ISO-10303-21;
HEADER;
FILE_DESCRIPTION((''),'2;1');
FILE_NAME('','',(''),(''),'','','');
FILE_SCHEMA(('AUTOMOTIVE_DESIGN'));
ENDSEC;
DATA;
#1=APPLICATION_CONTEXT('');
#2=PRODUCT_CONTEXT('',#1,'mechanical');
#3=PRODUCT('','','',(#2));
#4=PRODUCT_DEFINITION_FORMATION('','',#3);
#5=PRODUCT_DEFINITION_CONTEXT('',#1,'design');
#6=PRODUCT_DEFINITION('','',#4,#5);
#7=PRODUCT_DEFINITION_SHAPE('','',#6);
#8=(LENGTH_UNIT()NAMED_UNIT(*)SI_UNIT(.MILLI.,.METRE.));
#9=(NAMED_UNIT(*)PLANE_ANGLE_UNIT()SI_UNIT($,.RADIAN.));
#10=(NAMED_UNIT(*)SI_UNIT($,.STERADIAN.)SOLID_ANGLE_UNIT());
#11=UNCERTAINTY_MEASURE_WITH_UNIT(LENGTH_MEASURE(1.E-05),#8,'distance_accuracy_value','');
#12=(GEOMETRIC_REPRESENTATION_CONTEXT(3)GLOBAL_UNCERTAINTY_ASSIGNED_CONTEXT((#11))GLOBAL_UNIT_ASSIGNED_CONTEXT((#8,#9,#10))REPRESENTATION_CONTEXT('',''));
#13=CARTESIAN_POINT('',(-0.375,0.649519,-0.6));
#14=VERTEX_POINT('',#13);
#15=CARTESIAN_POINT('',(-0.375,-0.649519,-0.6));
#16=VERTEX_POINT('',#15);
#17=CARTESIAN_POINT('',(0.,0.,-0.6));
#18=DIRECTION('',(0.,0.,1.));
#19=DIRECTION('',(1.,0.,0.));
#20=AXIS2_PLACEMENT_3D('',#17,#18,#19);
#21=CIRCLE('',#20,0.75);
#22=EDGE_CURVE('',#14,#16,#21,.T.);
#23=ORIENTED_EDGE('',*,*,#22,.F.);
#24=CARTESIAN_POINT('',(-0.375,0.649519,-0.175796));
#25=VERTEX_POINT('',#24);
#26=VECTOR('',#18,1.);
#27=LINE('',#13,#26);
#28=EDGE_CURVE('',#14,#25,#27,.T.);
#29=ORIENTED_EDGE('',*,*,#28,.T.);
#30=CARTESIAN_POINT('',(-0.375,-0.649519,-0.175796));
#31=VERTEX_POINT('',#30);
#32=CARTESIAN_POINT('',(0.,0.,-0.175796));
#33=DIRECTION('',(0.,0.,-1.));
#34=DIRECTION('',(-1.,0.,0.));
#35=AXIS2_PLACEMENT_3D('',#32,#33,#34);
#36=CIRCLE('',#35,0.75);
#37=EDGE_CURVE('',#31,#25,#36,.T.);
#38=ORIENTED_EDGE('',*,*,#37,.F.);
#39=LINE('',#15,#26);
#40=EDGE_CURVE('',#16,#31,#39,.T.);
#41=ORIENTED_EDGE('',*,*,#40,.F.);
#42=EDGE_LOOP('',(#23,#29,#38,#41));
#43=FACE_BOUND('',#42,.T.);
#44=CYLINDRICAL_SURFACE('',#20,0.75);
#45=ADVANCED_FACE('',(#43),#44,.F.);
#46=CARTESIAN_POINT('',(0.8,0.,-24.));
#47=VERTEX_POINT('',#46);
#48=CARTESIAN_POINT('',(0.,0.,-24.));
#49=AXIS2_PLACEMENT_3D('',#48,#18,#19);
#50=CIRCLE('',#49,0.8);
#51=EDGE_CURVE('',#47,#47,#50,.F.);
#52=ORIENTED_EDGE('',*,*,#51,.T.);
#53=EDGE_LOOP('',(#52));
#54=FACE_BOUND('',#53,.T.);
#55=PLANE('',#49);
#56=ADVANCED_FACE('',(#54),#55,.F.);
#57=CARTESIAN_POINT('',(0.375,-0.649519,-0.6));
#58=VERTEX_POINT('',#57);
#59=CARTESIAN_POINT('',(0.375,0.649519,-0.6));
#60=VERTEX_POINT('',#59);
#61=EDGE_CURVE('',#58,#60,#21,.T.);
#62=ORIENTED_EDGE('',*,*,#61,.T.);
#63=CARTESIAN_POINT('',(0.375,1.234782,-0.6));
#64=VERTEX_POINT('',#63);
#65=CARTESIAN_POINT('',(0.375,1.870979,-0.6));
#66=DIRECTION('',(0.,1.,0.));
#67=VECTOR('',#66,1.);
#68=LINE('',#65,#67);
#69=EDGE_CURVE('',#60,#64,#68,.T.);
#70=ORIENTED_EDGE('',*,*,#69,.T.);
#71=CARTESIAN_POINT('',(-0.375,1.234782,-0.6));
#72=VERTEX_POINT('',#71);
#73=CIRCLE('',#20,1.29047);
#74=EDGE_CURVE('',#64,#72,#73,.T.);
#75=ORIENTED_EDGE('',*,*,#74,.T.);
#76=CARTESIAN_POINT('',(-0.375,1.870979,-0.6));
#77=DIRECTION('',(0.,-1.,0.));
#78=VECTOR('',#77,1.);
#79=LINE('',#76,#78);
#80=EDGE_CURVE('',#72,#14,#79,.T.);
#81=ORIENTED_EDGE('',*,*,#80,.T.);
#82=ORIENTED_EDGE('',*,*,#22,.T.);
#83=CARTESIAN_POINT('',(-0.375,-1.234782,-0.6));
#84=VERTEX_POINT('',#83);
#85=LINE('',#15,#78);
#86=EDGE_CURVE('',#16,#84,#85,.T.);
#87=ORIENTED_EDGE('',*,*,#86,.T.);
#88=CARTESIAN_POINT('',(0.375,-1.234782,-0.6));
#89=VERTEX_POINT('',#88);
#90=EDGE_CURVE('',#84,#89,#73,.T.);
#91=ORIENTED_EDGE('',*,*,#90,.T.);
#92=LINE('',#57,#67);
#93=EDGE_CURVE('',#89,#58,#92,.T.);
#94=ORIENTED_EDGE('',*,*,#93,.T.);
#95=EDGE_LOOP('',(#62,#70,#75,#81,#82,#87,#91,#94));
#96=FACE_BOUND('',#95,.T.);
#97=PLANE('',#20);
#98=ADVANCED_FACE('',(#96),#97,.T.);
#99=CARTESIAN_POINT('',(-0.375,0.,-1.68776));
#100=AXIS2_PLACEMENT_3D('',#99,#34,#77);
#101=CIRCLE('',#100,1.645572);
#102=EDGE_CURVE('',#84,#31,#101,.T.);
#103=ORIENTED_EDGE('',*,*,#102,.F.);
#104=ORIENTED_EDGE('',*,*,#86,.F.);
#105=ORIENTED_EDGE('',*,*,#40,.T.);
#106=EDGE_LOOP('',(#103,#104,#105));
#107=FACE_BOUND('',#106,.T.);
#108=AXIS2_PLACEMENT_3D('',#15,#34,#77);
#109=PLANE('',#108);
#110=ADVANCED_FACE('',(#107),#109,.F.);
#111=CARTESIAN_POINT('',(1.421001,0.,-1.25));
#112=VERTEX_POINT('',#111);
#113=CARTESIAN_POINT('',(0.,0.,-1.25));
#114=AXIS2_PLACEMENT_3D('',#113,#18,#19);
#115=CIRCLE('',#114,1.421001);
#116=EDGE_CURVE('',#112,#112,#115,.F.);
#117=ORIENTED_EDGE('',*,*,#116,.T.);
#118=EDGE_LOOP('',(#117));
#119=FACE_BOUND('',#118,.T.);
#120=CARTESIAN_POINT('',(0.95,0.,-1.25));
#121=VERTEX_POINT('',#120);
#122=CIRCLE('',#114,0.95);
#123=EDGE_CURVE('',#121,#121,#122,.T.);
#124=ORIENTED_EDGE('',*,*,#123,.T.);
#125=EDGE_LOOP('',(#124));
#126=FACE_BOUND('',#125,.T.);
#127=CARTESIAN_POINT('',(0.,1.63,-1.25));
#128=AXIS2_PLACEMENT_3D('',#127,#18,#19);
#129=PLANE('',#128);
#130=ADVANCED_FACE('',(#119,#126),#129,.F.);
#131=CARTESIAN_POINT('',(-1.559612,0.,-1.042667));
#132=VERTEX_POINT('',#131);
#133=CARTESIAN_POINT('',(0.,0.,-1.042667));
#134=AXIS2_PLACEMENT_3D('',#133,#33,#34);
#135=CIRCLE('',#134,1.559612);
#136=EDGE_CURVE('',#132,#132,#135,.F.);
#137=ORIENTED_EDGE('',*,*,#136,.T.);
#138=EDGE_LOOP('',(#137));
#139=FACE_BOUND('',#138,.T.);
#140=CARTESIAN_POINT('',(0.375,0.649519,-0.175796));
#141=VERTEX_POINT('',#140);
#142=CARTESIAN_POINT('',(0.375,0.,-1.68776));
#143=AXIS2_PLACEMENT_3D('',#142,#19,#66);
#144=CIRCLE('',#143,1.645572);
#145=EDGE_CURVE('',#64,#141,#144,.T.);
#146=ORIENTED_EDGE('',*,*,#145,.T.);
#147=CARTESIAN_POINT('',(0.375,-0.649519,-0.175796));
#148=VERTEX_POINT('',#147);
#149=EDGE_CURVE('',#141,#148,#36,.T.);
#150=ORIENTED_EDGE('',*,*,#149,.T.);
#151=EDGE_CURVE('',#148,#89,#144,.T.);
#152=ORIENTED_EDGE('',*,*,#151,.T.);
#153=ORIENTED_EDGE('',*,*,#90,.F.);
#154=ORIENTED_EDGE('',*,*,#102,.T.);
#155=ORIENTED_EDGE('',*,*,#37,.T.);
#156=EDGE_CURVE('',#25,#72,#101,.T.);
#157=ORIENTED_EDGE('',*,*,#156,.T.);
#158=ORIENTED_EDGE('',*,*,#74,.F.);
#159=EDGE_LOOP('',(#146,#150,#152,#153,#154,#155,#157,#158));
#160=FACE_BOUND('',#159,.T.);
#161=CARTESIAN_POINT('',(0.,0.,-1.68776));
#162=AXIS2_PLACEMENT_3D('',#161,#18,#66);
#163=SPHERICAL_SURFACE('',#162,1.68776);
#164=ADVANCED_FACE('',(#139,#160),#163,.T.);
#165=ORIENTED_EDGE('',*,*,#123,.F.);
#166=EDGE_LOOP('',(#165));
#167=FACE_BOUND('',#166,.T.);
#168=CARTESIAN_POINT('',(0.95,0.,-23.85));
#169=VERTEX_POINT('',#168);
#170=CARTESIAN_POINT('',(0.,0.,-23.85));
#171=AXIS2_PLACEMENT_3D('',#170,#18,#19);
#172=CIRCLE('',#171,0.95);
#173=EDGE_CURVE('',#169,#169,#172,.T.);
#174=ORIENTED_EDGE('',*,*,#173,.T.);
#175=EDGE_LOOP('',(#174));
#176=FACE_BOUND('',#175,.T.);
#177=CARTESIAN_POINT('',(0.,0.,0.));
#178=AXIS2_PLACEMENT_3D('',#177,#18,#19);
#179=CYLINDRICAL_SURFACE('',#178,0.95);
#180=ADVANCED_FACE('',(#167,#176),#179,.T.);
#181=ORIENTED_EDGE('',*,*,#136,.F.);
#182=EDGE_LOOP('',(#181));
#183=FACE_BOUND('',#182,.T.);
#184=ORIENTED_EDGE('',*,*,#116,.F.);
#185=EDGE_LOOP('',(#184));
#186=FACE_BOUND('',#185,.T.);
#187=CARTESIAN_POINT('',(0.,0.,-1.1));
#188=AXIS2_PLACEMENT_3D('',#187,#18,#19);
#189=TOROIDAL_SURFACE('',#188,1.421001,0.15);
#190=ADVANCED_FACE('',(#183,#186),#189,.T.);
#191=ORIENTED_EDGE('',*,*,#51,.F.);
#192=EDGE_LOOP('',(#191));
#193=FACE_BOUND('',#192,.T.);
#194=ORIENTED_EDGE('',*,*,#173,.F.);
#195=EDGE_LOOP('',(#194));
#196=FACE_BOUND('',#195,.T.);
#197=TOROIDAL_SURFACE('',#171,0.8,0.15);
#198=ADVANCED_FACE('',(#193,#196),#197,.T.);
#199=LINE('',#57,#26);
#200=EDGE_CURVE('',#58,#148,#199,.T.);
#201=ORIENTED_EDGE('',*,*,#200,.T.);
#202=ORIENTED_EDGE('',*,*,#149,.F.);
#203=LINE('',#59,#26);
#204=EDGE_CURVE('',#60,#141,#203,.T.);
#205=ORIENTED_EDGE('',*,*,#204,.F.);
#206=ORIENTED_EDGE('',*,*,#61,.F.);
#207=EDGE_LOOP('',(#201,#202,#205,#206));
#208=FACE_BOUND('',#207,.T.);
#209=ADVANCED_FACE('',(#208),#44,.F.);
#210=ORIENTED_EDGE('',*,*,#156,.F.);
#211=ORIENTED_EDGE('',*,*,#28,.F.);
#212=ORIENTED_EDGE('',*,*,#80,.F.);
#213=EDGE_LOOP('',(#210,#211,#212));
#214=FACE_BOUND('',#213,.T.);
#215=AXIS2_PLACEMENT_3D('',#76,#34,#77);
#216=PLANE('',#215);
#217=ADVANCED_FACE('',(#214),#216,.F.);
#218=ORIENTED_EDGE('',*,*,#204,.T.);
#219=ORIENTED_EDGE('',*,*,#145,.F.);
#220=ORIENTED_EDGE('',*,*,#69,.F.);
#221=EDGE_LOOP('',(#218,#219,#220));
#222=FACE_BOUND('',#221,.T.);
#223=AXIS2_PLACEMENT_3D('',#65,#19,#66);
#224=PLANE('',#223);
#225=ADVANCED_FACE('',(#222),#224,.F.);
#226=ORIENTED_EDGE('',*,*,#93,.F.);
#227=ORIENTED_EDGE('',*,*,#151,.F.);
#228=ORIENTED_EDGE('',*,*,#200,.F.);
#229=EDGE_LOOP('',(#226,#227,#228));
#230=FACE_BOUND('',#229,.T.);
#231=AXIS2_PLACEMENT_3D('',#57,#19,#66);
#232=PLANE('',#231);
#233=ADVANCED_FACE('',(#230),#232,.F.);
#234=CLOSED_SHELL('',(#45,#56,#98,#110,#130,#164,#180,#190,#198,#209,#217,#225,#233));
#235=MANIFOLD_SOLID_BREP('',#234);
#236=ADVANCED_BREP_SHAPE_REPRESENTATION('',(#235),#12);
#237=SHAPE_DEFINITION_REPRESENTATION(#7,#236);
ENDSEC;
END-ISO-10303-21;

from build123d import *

# Parameters (mm, degrees)
CUT_EXTRUDE1_DEPTH = 0.6
FILLET1_R          = 0.15


with BuildPart() as part:
    # Sketch4 → Revolve2 (revolve)
    with BuildSketch(Plane(origin=(0, 0, 0), x_dir=(0, 0, -1), z_dir=(1, 0, 0))):
        with BuildLine():
            Line((0, 0), (24, 0))
            Line((24, 0), (24, 0.95))
            Line((24, 0.95), (1.25, 0.95))
            Line((1.25, 0.95), (1.25, 1.63))
            ThreePointArc((1.25, 1.63), (0.348475184, 1.027058908), (0, 0))
        make_face()
    revolve(axis=Axis((0, 0, 0), (0, 0, -1)))

    # Sketch5 → Cut-Extrude1 (cut)
    with BuildSketch(Plane.XY):
        with BuildLine():
            Line((-0.375, -0.649519053), (-0.375, -1.87097888))
            Line((-0.375, -1.87097888), (0.375, -1.87097888))
            Line((0.375, -1.87097888), (0.375, -0.649519053))
            ThreePointArc((0.375, -0.649519053), (0.75, 0), (0.375, 0.649519053))
            Line((0.375, 0.649519053), (0.375, 1.87097888))
            Line((0.375, 1.87097888), (-0.375, 1.87097888))
            Line((-0.375, 1.87097888), (-0.375, 0.649519053))
            ThreePointArc((-0.375, 0.649519053), (-0.75, 0), (-0.375, -0.649519053))
        make_face()
    extrude(amount=-CUT_EXTRUDE1_DEPTH, mode=Mode.SUBTRACT)

    # Fillet1
    fillet1_edges = [part.edges().sort_by_distance(p)[0] for p in [
        (0, -1.63, -1.25),
        (0, -0.95, -24),
    ]]
    fillet(fillet1_edges, radius=FILLET1_R)


solid = part.part
